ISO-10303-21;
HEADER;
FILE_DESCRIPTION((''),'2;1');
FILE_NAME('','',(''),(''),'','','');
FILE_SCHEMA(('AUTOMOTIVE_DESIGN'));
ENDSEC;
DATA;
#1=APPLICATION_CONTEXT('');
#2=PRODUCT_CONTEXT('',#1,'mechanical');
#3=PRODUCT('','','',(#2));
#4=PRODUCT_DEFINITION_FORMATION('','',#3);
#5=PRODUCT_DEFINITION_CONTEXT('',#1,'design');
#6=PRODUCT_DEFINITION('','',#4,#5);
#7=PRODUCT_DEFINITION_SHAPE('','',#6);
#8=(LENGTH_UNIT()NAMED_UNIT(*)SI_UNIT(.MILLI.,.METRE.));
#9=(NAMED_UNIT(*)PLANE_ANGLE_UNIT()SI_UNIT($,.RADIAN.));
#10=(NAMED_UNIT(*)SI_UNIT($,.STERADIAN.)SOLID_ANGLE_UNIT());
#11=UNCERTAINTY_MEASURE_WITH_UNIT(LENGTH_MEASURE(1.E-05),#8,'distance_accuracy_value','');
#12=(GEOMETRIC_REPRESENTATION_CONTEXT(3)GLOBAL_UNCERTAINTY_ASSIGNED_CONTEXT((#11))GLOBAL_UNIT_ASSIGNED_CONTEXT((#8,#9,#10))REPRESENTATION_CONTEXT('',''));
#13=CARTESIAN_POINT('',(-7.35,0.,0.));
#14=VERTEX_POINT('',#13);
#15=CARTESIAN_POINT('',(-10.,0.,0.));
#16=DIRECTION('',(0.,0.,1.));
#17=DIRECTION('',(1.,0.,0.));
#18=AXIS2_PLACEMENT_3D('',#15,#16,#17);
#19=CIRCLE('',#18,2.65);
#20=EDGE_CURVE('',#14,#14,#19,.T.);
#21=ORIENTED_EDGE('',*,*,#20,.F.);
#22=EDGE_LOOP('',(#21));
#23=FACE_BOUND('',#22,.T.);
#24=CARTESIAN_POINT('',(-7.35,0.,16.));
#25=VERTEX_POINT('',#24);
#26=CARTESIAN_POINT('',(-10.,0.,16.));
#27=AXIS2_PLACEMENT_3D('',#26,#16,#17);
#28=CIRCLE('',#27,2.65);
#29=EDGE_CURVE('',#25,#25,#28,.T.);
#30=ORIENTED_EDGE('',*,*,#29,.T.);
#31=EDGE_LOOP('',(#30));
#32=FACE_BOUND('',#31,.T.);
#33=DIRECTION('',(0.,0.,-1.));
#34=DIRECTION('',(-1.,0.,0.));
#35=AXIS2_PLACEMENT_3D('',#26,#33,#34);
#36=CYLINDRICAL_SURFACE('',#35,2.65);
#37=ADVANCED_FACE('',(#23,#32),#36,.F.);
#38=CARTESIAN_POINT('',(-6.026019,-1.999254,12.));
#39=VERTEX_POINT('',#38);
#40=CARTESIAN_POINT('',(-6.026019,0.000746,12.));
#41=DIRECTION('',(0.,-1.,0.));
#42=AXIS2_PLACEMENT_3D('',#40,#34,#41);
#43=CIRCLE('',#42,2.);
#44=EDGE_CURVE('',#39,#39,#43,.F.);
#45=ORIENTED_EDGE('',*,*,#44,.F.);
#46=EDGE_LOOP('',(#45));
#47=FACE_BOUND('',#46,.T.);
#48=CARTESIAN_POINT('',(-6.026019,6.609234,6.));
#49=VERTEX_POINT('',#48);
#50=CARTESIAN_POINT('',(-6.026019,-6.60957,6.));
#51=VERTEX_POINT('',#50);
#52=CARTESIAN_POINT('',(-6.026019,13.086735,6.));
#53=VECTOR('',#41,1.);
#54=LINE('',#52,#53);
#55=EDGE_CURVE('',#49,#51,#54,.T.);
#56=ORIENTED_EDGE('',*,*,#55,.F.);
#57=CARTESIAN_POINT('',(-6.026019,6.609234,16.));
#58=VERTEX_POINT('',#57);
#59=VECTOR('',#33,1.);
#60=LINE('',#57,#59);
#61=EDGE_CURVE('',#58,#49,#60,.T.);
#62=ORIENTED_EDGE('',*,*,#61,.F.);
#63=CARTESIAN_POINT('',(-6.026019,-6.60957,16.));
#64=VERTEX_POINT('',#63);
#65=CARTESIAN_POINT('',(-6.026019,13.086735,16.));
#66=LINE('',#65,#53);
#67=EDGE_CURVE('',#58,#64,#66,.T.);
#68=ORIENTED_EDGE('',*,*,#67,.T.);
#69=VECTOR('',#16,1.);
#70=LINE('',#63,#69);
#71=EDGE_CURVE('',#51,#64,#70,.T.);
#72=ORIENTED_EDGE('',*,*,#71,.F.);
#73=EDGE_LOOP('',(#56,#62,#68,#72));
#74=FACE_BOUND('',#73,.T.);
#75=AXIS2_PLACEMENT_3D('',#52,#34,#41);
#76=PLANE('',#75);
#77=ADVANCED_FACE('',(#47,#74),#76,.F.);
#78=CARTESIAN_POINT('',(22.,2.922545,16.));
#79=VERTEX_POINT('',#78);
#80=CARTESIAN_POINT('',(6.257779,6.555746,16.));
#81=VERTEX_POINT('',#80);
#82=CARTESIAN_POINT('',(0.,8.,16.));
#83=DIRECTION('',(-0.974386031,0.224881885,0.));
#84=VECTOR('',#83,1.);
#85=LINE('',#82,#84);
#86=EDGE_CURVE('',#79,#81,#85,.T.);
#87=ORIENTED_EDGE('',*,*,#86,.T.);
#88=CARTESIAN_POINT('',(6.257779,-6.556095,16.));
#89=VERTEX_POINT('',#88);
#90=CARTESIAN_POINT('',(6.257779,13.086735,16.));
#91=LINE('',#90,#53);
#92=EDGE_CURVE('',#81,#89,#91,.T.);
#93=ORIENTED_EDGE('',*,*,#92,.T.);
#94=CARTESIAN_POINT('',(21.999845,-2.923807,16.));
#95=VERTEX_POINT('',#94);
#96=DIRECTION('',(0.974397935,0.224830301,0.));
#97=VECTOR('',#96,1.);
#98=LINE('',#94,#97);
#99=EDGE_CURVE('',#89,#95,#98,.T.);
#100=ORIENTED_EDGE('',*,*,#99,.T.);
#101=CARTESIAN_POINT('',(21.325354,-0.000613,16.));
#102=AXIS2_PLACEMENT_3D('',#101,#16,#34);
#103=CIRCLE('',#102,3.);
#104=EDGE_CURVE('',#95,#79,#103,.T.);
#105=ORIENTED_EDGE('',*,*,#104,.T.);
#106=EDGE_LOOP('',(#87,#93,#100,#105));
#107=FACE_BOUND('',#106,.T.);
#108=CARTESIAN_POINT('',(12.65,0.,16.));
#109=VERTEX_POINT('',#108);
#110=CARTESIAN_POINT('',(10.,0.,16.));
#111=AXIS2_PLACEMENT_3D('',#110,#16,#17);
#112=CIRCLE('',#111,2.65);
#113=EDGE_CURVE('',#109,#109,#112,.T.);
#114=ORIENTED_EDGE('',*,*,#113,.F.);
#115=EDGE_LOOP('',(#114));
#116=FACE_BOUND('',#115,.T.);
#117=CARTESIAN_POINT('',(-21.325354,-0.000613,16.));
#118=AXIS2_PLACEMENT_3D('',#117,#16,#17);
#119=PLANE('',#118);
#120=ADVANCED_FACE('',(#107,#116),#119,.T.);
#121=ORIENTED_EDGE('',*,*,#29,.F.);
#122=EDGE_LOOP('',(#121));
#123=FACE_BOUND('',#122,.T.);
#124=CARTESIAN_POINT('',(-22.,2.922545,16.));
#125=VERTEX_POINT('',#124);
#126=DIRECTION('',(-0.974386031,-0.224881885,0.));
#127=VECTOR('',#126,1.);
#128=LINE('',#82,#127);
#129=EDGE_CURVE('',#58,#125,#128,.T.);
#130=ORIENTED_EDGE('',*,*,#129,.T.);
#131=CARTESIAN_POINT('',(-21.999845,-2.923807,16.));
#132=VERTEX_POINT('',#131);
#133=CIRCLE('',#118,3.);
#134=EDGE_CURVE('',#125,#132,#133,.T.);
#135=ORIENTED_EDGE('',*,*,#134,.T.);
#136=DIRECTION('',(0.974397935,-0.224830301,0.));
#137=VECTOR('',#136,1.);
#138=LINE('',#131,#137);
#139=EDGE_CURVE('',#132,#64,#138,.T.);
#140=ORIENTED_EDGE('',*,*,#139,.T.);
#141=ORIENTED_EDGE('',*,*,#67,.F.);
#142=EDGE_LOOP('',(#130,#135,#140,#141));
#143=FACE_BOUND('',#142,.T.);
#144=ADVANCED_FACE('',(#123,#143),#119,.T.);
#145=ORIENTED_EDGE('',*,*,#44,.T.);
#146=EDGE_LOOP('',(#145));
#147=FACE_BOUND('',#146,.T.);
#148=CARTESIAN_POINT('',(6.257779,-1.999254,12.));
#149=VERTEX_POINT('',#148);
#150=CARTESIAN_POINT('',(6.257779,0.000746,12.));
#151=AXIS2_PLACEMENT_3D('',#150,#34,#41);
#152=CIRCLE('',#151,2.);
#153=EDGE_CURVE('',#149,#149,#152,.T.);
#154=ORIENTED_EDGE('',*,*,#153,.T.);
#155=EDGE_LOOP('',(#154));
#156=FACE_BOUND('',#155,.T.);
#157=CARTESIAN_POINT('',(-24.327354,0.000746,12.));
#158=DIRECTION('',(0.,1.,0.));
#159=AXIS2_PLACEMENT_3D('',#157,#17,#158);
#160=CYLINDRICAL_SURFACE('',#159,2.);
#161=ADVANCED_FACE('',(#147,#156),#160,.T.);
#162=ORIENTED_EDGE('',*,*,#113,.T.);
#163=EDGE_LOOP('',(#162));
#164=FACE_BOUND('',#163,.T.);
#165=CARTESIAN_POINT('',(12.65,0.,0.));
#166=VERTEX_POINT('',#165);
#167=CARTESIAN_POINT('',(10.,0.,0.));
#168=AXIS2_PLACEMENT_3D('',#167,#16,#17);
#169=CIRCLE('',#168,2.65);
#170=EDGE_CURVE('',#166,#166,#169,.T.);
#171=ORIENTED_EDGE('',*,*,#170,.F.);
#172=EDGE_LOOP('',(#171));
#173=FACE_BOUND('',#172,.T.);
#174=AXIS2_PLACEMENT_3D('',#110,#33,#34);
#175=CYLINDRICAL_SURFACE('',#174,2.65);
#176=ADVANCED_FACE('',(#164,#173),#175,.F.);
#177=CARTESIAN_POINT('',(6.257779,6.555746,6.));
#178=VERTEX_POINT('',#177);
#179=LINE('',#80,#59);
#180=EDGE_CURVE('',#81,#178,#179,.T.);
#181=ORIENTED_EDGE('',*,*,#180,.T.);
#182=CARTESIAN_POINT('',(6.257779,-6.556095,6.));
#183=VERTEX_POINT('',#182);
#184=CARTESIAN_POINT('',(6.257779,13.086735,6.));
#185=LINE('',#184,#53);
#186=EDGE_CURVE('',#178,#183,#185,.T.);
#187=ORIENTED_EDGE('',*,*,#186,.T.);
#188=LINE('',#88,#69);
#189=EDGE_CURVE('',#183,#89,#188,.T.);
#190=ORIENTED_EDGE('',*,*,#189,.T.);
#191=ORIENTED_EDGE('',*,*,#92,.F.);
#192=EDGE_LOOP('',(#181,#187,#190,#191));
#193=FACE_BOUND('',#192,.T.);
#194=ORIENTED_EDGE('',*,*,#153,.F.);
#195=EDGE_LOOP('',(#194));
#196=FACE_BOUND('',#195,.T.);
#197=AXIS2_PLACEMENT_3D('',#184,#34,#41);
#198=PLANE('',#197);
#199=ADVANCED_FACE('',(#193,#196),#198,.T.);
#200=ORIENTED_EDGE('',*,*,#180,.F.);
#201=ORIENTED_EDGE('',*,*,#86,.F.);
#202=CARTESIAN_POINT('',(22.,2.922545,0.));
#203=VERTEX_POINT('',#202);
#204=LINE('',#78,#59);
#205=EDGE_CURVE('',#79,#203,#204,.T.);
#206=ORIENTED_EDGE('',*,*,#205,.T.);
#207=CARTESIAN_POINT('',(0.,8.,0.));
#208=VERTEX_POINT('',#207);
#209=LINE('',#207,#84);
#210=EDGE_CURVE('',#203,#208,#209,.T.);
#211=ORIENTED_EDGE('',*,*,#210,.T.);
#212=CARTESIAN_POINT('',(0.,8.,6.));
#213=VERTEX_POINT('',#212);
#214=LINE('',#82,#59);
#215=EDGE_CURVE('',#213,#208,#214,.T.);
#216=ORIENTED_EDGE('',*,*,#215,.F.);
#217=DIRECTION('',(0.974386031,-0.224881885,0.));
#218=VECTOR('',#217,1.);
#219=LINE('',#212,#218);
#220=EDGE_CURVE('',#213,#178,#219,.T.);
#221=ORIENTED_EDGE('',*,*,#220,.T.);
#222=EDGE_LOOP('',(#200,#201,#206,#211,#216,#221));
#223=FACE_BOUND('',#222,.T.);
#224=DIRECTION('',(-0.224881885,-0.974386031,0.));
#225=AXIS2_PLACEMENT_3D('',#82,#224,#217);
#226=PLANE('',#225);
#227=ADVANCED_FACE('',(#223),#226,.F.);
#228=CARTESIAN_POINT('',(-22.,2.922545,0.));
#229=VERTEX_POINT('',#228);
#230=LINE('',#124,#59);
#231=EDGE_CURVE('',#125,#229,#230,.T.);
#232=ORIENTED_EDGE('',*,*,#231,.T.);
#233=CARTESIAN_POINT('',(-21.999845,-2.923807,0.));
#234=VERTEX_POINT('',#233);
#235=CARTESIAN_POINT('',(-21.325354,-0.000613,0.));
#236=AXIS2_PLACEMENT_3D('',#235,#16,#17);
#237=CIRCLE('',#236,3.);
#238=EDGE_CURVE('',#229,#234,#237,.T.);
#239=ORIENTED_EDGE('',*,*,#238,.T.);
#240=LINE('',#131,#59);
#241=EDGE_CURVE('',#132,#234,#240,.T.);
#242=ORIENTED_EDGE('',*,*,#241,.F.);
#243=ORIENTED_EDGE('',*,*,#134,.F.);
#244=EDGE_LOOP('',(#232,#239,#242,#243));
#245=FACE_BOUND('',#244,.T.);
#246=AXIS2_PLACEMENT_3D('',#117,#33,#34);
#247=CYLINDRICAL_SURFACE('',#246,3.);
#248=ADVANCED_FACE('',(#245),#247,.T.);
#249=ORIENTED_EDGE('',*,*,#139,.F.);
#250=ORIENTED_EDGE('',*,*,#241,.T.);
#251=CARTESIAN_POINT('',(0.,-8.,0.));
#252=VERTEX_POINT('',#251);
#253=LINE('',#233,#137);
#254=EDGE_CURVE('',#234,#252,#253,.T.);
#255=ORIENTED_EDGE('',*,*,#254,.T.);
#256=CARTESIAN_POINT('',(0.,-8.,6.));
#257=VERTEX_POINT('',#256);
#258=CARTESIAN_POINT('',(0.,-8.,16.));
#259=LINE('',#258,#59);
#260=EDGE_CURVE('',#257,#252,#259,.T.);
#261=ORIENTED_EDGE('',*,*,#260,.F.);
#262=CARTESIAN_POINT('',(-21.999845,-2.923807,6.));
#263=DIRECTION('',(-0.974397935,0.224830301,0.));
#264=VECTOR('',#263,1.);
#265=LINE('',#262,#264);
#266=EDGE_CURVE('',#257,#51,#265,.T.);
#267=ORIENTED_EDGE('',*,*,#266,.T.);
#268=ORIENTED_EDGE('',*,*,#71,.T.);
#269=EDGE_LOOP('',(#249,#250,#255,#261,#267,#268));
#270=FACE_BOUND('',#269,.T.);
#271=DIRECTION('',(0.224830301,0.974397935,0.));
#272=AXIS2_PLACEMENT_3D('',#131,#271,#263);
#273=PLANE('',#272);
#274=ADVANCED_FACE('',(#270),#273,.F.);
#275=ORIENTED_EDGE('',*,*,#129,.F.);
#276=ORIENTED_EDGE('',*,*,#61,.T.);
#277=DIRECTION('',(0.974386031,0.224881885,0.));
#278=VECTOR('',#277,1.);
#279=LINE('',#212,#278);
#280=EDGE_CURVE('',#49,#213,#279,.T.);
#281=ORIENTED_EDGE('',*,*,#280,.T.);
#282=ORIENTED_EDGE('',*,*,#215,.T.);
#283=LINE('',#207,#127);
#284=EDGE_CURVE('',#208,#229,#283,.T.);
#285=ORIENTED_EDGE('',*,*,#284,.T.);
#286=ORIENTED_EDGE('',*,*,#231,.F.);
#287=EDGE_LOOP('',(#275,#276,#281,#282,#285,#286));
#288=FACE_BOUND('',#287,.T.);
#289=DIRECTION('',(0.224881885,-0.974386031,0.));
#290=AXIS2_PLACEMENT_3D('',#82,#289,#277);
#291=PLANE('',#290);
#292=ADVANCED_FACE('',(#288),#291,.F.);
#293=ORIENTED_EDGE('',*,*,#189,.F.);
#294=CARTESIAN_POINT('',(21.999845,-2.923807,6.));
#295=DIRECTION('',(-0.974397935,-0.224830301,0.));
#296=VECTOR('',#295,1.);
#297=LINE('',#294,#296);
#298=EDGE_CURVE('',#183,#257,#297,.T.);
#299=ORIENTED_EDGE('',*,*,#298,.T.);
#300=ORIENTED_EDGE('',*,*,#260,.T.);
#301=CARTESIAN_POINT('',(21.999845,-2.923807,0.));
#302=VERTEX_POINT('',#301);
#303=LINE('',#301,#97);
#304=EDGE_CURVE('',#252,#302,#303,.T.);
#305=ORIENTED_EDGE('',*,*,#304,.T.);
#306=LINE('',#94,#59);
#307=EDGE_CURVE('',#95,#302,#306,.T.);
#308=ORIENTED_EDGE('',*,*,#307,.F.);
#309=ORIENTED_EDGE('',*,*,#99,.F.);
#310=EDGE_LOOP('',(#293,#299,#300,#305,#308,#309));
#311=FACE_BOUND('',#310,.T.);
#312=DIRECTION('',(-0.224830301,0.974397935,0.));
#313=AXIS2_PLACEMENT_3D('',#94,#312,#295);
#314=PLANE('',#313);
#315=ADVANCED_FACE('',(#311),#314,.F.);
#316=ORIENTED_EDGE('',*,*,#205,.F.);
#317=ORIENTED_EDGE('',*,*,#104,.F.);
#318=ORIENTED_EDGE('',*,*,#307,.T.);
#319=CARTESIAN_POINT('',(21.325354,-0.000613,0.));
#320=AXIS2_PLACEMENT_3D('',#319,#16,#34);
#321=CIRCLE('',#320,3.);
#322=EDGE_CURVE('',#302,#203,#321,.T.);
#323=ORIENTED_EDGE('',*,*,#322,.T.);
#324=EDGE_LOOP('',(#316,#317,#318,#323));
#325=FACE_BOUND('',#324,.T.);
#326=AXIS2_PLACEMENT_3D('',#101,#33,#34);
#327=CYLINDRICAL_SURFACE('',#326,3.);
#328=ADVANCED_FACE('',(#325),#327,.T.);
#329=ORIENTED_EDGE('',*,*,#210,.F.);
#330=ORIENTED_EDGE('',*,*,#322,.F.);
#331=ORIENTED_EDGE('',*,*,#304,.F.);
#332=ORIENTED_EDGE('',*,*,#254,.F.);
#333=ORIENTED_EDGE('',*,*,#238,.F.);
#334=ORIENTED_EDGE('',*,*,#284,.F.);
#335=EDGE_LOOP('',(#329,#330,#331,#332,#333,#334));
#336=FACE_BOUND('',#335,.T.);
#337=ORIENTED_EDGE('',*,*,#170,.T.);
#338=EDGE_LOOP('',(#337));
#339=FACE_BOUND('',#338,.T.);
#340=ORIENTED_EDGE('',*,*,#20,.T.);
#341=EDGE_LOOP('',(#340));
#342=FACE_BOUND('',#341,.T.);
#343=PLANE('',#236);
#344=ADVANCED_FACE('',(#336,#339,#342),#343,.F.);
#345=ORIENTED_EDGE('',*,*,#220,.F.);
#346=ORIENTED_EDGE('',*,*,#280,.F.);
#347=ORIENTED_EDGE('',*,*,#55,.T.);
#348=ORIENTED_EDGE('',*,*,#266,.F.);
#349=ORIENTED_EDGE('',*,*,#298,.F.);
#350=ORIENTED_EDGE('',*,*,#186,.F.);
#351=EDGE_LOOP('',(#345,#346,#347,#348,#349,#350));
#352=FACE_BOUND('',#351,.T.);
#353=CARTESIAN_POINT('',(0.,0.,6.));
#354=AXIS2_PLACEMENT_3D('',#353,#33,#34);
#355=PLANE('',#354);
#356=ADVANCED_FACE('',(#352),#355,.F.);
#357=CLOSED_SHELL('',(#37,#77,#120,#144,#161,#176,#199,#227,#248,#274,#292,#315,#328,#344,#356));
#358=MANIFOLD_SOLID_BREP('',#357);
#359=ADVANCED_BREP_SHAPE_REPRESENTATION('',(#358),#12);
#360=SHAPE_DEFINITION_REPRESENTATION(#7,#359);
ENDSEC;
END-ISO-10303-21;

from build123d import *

# Parameters (mm, degrees)
SKETCH1_R           = 2.65
BOSS_EXTRUDE1_DEPTH = 16
SKETCH3_W           = 12.283798513
SKETCH3_H           = 21.086734885
CUT_EXTRUDE2_DEPTH  = 10
BOSS_EXTRUDE2_REACH = 32.583
SKETCH4_R           = 2


with BuildPart() as part:
    # Sketch1 → Boss-Extrude1 (new body)
    with BuildSketch(Plane.XY):
        with BuildLine():
            Line((0, 8), (-22, 2.922544759))
            ThreePointArc((-22, 2.922544759), (-24.325354345, -0.000692743), (-21.999845251, -2.923807139))
            Line((-21.999845251, -2.923807139), (0, -8))
            Line((0, -8), (21.999845251, -2.923807139))
            ThreePointArc((21.999845251, -2.923807139), (24.325354345, -0.000692743), (22, 2.922544759))
            Line((22, 2.922544759), (0, 8))
        make_face()
        with Locations((10, 0)):
            Circle(SKETCH1_R, mode=Mode.SUBTRACT)
        with Locations((-10, 0)):
            Circle(SKETCH1_R, mode=Mode.SUBTRACT)
    extrude(amount=BOSS_EXTRUDE1_DEPTH)

    # Sketch3 → Cut-Extrude2 (cut)
    with BuildSketch(Plane.XY.offset(16)):
        with Locations((0.115880044, 2.543367443)):
            Rectangle(SKETCH3_W, SKETCH3_H)
    extrude(amount=-CUT_EXTRUDE2_DEPTH, mode=Mode.SUBTRACT)

    # Sketch4 → Boss-Extrude2 (add, up to next)
    with BuildSketch(Plane.ZY.offset(-6.257779301), mode=Mode.PRIVATE) as boss_extrude2_sk1:
        with Locations((12, 0.000745713)):
            Circle(SKETCH4_R)
    boss_extrude2_tool1 = extrude(boss_extrude2_sk1.sketch, amount=BOSS_EXTRUDE2_REACH, mode=Mode.PRIVATE) - part.part
    add(boss_extrude2_tool1.solids().sort_by_distance((6.257779, 0.000746, 12))[0])


solid = part.part
